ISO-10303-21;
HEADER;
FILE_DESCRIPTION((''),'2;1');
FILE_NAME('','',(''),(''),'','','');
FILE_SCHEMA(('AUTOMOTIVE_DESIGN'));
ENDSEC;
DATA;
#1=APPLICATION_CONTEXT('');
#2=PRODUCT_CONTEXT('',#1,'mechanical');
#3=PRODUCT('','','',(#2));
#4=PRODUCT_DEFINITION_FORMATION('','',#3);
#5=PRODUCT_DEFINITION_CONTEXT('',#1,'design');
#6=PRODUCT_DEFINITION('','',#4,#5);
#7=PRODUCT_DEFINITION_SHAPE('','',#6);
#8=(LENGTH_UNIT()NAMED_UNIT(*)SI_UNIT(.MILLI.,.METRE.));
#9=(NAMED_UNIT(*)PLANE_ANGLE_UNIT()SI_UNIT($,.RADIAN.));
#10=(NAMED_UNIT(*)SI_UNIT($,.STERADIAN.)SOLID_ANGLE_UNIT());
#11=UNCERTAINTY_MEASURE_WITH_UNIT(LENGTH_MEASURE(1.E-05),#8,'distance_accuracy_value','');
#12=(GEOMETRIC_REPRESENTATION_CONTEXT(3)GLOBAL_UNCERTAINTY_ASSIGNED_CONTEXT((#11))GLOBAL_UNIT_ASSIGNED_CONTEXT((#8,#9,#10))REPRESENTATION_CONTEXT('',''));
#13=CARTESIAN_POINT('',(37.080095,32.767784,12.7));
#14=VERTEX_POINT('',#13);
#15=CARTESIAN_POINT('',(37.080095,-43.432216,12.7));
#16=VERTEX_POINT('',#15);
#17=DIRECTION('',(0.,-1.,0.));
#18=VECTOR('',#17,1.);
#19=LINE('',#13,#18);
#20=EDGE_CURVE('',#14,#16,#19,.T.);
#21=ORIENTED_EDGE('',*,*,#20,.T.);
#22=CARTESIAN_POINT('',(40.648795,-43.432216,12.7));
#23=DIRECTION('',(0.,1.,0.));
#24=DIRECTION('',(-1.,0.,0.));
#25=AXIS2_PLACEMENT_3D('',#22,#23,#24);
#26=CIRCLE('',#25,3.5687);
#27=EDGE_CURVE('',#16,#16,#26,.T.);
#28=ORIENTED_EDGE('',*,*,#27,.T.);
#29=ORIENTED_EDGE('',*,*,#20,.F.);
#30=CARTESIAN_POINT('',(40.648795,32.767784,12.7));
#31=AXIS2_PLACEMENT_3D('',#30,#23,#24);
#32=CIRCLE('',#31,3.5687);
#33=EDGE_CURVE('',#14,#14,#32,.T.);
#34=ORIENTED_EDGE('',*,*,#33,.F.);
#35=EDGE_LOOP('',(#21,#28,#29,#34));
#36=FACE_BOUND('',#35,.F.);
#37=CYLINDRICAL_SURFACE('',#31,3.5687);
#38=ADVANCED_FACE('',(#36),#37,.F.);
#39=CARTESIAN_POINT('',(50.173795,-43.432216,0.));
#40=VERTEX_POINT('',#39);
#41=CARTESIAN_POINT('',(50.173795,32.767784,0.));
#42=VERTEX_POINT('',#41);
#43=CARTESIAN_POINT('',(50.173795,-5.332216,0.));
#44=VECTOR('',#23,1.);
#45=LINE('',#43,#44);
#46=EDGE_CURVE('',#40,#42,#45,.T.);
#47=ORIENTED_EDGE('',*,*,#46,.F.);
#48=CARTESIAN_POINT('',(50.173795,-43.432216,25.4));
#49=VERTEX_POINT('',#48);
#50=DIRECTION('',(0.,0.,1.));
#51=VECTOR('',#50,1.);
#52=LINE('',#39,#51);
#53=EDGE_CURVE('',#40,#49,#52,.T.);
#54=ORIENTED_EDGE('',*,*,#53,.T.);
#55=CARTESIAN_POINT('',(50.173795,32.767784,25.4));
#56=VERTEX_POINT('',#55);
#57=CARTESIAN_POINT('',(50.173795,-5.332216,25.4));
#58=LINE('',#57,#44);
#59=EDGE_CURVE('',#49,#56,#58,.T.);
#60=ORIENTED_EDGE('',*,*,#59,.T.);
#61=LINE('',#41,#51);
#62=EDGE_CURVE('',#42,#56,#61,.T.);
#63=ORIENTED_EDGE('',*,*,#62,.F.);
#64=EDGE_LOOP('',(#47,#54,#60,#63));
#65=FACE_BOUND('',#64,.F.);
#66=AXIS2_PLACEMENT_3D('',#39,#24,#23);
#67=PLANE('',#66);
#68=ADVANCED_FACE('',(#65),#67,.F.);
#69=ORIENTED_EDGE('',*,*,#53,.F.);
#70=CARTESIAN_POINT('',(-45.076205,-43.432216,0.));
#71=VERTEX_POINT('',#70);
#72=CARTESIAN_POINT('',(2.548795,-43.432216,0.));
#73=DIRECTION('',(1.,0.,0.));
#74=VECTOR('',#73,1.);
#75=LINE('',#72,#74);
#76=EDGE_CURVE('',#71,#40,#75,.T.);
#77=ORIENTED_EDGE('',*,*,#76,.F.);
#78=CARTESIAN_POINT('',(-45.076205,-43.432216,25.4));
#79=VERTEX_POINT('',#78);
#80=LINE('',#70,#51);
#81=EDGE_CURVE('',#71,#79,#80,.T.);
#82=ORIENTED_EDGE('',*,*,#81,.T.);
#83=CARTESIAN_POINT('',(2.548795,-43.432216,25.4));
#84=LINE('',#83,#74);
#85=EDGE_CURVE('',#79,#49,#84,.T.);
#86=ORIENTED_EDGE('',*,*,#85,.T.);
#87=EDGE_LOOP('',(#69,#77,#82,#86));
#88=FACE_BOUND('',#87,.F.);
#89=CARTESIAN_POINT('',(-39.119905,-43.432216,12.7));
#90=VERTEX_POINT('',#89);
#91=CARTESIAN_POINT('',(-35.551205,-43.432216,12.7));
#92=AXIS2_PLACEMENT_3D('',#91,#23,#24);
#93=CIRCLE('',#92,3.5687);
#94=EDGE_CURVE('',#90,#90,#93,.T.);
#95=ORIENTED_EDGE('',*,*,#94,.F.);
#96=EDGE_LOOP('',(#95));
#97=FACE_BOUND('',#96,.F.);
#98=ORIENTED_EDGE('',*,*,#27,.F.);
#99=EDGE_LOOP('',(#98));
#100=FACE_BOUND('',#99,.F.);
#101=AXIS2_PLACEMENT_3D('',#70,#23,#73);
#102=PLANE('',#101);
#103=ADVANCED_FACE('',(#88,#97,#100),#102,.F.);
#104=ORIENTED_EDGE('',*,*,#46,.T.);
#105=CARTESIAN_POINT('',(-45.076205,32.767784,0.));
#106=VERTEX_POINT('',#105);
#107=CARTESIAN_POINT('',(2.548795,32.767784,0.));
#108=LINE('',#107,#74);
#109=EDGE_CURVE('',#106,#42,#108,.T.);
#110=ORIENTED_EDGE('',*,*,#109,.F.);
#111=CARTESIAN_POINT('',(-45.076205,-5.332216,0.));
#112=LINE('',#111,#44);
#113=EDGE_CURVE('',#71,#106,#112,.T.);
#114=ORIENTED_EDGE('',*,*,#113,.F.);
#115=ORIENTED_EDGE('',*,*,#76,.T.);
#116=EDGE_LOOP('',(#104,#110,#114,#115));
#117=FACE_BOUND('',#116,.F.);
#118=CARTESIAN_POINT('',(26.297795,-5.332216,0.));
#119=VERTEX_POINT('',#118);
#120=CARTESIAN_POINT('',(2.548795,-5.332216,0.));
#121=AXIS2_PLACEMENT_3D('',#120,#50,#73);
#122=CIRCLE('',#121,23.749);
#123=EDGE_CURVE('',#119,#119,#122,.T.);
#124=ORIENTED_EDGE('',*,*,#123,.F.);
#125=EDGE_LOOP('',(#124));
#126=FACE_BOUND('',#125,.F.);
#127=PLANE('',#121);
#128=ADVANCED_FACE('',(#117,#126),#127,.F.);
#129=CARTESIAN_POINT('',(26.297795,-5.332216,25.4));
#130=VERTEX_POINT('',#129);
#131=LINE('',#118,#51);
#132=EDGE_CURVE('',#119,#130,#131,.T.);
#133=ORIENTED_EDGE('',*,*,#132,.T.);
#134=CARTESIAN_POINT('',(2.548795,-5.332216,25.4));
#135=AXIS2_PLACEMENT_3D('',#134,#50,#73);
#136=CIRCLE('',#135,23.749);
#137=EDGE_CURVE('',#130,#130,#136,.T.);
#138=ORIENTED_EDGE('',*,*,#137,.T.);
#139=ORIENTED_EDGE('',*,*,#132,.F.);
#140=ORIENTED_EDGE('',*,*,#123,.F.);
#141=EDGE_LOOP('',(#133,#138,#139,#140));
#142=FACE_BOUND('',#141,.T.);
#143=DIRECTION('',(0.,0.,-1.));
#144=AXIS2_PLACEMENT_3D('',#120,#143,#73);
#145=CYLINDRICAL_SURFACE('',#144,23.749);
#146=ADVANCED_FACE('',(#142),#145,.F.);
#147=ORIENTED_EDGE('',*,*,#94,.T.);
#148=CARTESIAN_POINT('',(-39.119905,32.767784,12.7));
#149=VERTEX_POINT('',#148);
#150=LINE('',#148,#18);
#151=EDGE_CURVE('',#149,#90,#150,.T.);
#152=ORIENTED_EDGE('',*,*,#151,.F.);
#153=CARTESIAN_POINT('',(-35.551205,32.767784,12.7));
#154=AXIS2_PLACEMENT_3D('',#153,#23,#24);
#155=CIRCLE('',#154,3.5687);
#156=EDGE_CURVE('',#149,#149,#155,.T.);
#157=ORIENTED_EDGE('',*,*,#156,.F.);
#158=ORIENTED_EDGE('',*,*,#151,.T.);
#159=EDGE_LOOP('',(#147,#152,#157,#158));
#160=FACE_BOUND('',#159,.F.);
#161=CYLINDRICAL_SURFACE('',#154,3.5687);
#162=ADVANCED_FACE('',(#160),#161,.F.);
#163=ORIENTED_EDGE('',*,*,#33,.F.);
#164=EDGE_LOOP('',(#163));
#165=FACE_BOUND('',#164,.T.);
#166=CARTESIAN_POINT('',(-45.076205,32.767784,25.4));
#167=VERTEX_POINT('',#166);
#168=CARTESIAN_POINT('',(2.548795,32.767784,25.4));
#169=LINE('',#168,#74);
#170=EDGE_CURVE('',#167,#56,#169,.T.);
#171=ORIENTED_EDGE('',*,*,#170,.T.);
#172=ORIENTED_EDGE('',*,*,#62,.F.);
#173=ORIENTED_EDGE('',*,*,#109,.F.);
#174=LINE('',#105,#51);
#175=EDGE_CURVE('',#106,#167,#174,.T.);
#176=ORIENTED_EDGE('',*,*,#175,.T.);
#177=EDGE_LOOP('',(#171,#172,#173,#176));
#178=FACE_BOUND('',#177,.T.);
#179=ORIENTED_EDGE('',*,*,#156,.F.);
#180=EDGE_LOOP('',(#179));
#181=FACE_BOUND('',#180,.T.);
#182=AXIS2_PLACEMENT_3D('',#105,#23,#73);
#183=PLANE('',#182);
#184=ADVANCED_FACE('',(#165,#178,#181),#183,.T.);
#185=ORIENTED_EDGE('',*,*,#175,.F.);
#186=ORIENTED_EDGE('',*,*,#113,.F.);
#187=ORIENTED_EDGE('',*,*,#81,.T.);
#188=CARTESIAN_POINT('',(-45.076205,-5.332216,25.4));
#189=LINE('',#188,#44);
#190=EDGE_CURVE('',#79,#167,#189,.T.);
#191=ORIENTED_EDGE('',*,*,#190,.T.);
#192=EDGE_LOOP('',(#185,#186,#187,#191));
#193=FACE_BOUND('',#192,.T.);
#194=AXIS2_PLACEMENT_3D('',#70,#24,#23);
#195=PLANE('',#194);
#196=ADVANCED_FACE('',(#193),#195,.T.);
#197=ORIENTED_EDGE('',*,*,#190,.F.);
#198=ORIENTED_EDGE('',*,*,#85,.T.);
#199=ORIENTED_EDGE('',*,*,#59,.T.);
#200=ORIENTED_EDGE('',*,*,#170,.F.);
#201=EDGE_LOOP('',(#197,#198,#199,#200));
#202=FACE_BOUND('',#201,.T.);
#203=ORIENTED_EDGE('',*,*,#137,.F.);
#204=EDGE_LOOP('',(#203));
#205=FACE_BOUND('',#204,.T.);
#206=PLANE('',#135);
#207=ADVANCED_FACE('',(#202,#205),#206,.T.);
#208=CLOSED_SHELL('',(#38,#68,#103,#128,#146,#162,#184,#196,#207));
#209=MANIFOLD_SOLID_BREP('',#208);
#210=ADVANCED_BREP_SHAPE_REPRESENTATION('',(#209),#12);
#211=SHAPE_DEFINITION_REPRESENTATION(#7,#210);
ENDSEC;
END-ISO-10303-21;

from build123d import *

# Parameters (mm, degrees)
F0_W     = 95.25
F0_H     = 76.2
F0_R     = 23.749
F1_DEPTH = 25.4
F2_R     = 3.5687
F3_DEPTH = 114.61536


with BuildPart() as f1:
    # F0 (on Top) → F1 (new body)
    with BuildSketch(Plane.XY):
        with Locations((2.548795, -5.332216)):
            Rectangle(F0_W, F0_H)
        with Locations((2.548795, -5.332216)):
            Circle(F0_R, mode=Mode.SUBTRACT)
    extrude(amount=F1_DEPTH)

    # F2 (on face) → F3 (cut)
    with BuildSketch(Plane(origin=(0, 32.767784, 0), x_dir=(-1, 0, 0), z_dir=(0, 1, 0))):
        with Locations((35.551205, 12.7)):
            Circle(F2_R)
        with Locations((-40.648795, 12.7)):
            Circle(F2_R)
    extrude(amount=-F3_DEPTH, mode=Mode.SUBTRACT)


solid = f1.part
